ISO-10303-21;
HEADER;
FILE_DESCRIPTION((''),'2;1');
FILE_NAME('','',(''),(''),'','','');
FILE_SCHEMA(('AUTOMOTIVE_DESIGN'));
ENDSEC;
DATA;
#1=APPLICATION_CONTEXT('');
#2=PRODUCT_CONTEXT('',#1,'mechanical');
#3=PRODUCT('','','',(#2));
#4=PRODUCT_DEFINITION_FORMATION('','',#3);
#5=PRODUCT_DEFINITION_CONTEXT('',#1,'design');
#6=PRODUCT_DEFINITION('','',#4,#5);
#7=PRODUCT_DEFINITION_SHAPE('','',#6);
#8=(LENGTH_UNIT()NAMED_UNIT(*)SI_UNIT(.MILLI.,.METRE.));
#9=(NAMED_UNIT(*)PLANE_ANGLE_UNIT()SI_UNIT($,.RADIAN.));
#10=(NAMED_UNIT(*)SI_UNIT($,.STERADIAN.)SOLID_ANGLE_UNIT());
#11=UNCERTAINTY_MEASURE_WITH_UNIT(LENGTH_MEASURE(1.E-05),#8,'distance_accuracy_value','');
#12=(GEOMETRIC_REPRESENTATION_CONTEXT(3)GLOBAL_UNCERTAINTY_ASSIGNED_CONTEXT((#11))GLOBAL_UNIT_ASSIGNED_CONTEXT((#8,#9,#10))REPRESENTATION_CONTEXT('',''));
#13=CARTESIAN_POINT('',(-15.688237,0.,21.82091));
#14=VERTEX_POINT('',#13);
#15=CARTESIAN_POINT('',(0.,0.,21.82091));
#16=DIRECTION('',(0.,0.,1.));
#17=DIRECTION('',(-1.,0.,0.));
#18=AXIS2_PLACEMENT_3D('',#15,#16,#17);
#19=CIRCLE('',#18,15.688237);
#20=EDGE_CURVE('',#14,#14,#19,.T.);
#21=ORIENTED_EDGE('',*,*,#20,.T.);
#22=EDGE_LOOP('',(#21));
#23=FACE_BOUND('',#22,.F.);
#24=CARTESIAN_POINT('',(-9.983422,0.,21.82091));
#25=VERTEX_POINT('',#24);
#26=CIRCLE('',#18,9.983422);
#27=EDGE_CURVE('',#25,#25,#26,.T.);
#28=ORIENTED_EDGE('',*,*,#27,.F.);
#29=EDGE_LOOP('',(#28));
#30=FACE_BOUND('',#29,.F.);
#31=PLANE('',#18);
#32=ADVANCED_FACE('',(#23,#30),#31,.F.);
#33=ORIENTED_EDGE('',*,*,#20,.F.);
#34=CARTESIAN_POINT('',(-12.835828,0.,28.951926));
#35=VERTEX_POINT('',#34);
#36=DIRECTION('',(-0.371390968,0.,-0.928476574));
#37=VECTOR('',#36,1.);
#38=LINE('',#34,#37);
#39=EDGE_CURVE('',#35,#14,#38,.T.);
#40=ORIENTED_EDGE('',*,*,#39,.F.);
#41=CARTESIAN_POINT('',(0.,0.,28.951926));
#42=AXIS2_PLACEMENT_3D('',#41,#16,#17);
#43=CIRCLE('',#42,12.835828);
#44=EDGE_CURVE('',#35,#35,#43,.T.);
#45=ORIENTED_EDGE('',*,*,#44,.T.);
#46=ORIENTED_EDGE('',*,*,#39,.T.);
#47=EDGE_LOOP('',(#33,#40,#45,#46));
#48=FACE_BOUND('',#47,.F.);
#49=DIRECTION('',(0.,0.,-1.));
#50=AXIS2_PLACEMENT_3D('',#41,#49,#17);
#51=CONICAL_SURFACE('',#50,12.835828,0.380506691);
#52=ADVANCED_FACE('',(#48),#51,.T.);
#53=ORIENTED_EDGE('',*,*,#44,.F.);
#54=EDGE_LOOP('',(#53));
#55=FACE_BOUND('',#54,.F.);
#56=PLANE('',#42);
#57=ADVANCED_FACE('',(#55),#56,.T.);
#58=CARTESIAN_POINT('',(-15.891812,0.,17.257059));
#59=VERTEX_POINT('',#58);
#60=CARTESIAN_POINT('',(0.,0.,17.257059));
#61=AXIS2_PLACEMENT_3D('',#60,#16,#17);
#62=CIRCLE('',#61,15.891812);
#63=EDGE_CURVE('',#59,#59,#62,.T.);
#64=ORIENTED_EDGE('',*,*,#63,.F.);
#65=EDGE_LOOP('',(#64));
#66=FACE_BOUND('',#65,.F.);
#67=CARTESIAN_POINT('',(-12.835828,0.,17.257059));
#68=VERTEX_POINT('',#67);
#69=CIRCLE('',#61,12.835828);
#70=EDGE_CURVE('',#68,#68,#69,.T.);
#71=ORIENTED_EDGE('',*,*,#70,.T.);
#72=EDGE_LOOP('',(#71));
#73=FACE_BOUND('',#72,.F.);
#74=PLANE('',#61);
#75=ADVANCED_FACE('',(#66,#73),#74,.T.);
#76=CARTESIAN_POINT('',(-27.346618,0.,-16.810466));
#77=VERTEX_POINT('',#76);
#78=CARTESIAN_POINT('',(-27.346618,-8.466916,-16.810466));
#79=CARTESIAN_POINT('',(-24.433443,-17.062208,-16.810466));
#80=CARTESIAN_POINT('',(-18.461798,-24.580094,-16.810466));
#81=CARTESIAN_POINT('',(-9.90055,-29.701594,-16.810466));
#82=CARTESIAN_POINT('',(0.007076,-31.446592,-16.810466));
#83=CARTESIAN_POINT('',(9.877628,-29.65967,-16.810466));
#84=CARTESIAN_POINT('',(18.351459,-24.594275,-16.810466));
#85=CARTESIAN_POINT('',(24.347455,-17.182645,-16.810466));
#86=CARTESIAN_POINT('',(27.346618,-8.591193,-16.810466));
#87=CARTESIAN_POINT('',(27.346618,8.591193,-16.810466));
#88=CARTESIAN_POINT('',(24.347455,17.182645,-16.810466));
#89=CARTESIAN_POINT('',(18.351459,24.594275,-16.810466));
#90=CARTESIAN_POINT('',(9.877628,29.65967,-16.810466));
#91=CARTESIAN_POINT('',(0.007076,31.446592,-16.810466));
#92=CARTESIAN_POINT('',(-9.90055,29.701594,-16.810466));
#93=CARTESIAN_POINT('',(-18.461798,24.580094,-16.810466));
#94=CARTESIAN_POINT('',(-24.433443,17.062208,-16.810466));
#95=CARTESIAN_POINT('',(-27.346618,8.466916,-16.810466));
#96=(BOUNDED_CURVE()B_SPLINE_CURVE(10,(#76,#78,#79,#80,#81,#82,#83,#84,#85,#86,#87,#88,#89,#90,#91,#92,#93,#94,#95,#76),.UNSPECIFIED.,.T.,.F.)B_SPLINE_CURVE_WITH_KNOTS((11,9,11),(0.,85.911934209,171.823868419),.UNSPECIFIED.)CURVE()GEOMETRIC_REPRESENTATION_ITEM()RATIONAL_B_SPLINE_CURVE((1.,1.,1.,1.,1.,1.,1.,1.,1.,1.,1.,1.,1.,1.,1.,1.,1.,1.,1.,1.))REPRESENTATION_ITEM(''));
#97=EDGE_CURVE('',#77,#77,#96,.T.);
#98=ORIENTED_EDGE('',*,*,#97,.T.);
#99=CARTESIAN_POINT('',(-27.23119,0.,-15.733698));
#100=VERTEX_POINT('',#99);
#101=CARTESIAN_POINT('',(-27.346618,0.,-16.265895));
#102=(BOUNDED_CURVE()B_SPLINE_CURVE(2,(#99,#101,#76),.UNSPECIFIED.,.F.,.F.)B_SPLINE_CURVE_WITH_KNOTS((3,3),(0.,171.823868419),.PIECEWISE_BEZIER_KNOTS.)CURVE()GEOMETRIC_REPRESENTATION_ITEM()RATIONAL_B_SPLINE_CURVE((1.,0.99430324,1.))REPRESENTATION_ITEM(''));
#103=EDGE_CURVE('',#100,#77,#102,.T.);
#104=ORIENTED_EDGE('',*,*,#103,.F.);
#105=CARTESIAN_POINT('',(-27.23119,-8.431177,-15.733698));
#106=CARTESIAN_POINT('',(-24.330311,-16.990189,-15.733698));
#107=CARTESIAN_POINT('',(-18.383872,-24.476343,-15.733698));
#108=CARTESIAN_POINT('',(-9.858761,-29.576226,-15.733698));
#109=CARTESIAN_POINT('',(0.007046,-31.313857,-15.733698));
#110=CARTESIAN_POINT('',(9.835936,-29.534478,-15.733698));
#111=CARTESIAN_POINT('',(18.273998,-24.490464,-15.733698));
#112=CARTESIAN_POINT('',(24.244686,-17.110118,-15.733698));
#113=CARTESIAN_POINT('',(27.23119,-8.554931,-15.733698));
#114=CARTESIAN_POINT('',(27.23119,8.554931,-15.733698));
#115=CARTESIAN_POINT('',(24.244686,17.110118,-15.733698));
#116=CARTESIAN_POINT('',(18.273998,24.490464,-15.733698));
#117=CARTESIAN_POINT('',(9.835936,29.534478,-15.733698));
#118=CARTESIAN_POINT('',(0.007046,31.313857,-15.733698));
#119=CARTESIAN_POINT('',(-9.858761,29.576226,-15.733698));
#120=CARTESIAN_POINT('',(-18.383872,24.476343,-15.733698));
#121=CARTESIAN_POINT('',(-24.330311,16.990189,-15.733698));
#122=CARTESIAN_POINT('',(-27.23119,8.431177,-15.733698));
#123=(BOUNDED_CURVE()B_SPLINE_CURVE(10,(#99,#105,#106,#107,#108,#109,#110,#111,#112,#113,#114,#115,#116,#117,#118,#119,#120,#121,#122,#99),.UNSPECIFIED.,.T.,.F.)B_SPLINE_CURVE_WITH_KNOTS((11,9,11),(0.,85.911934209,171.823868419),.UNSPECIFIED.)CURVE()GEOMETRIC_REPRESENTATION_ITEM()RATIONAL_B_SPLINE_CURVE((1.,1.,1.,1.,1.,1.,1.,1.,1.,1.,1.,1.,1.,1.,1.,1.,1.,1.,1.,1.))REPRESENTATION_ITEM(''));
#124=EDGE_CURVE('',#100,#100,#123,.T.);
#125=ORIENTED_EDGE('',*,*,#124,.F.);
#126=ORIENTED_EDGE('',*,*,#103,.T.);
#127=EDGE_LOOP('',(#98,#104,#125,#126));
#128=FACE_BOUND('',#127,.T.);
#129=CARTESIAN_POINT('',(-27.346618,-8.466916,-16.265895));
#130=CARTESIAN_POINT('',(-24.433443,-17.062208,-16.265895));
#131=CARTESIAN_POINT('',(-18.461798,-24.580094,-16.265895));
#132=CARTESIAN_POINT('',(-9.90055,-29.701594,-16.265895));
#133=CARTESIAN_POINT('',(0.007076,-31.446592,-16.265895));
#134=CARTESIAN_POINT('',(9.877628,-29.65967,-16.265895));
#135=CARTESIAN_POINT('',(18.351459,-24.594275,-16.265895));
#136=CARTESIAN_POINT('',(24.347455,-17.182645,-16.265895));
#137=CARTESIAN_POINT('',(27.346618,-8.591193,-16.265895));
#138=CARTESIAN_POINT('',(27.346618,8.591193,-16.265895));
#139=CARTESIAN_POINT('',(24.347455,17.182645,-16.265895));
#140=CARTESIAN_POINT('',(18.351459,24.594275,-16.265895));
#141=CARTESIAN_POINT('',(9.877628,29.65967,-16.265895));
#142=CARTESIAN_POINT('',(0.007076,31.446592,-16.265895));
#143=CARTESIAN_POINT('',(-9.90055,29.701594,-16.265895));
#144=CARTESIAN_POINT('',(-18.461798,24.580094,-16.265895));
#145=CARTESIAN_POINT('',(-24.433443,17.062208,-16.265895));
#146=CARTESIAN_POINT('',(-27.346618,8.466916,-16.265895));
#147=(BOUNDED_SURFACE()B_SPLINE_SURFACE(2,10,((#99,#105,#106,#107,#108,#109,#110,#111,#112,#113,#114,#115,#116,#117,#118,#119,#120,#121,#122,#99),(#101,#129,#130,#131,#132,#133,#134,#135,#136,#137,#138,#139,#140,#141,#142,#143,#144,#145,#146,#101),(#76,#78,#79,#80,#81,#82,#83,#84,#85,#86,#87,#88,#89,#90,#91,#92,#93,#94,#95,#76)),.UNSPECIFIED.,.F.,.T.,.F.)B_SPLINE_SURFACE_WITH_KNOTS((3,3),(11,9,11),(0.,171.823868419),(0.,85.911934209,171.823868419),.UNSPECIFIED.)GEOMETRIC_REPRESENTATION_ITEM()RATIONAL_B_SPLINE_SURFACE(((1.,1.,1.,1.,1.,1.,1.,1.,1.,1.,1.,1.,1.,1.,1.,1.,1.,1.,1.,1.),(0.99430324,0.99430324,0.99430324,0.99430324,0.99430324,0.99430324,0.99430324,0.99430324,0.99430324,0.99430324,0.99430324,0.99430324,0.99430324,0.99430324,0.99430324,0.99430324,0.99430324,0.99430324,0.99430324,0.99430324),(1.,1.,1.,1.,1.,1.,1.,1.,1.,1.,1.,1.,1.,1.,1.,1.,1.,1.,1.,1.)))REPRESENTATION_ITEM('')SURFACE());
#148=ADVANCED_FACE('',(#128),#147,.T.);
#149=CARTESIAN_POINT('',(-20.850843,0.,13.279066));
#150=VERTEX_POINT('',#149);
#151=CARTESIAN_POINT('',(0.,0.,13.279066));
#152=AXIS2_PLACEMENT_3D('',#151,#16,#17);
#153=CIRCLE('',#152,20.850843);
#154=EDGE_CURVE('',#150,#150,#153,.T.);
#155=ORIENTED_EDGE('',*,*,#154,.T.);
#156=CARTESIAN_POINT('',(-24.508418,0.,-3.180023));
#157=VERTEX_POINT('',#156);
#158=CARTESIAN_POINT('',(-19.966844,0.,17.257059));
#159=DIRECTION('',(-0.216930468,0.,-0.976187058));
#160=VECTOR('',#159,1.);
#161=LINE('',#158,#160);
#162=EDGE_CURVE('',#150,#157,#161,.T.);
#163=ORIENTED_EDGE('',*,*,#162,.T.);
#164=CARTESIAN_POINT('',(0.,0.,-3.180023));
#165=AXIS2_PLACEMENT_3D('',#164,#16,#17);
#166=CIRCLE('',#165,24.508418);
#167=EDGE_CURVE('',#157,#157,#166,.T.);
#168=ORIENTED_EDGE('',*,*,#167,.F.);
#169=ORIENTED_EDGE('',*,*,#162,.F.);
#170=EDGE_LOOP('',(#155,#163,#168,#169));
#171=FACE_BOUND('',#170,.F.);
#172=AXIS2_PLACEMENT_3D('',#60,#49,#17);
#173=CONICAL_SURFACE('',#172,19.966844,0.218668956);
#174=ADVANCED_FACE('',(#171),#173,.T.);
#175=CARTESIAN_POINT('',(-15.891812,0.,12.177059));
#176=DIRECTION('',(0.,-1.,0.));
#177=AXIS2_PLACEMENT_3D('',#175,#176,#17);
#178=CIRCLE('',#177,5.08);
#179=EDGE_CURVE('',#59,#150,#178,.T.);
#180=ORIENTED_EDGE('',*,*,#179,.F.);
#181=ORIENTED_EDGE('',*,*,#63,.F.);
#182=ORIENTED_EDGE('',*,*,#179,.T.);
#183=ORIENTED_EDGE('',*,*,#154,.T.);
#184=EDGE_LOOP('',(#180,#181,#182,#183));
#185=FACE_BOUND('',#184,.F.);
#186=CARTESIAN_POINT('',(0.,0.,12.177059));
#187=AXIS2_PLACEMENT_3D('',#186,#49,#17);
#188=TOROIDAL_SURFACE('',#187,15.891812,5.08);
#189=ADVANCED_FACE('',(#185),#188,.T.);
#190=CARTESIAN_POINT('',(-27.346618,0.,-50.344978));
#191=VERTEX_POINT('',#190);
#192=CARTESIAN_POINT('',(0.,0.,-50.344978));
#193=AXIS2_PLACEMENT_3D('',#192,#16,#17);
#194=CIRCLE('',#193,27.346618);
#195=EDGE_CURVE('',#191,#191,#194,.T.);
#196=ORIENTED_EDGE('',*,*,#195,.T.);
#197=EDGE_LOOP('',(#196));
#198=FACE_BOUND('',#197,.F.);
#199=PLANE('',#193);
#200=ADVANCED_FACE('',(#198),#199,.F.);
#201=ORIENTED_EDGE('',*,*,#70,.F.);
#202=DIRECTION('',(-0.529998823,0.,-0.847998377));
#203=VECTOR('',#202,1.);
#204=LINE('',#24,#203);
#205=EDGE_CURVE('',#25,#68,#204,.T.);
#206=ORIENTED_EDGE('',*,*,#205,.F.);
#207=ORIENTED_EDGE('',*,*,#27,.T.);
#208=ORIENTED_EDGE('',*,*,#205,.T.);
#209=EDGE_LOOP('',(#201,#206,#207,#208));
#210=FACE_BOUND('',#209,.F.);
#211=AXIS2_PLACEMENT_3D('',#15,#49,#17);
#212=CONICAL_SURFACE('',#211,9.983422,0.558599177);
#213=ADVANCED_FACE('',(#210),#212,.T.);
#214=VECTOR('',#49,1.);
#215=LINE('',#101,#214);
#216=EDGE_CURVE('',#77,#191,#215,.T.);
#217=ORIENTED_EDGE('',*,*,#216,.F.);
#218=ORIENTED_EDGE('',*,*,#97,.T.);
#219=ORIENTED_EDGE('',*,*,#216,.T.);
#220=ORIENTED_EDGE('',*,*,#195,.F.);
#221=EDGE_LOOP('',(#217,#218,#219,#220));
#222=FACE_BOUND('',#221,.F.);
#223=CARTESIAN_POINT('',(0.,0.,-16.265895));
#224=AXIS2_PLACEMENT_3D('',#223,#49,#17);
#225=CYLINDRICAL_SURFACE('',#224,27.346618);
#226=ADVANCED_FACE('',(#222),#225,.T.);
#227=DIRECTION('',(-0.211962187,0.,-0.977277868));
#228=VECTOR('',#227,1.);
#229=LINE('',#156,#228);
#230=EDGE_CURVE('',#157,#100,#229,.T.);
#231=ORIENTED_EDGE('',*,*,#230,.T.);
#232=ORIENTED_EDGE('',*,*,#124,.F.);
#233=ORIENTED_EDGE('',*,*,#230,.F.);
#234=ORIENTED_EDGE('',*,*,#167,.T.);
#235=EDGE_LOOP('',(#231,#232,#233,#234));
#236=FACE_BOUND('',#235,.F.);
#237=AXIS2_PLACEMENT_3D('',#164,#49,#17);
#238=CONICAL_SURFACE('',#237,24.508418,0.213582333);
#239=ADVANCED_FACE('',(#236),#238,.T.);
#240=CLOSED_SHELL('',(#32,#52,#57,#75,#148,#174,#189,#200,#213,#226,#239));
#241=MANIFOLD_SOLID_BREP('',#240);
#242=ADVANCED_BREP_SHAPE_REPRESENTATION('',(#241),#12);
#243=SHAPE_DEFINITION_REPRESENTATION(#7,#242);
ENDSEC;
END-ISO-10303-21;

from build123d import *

# Parameters (mm, degrees)
F2_R = 5.08
F3_R = 5.08


with BuildPart() as f1:
    # F0 (on Front) → F1 (revolve)
    with BuildSketch(Plane.XZ):
        Polygon((0, -50.344978), (0, 28.951926), (-12.835828, 28.951926), (-15.688237, 21.82091), (-9.983422, 21.82091), (-12.835828, 17.257059), (-19.966844, 17.257059), (-24.508418, -3.180023), (-27.346618, -16.265895), (-27.346618, -50.344978), align=None)
    revolve(axis=Axis((0, 0, -10.696526), (0, 0, 1)))

    # F2
    f2_edges = [f1.edges().sort_by_distance(p)[0] for p in [
        (19.966844, 0, 17.257059),
        (24.508418, 0, -3.180023),
        (-22.237631, 0, 7.038518),
    ]]
    fillet(f2_edges, radius=F2_R)

    # F3
    f3_edges = [f1.edges().sort_by_distance(p)[0] for p in [
        (27.346618, 0, -16.265895),
    ]]
    fillet(f3_edges, radius=F3_R)


solid = f1.part
